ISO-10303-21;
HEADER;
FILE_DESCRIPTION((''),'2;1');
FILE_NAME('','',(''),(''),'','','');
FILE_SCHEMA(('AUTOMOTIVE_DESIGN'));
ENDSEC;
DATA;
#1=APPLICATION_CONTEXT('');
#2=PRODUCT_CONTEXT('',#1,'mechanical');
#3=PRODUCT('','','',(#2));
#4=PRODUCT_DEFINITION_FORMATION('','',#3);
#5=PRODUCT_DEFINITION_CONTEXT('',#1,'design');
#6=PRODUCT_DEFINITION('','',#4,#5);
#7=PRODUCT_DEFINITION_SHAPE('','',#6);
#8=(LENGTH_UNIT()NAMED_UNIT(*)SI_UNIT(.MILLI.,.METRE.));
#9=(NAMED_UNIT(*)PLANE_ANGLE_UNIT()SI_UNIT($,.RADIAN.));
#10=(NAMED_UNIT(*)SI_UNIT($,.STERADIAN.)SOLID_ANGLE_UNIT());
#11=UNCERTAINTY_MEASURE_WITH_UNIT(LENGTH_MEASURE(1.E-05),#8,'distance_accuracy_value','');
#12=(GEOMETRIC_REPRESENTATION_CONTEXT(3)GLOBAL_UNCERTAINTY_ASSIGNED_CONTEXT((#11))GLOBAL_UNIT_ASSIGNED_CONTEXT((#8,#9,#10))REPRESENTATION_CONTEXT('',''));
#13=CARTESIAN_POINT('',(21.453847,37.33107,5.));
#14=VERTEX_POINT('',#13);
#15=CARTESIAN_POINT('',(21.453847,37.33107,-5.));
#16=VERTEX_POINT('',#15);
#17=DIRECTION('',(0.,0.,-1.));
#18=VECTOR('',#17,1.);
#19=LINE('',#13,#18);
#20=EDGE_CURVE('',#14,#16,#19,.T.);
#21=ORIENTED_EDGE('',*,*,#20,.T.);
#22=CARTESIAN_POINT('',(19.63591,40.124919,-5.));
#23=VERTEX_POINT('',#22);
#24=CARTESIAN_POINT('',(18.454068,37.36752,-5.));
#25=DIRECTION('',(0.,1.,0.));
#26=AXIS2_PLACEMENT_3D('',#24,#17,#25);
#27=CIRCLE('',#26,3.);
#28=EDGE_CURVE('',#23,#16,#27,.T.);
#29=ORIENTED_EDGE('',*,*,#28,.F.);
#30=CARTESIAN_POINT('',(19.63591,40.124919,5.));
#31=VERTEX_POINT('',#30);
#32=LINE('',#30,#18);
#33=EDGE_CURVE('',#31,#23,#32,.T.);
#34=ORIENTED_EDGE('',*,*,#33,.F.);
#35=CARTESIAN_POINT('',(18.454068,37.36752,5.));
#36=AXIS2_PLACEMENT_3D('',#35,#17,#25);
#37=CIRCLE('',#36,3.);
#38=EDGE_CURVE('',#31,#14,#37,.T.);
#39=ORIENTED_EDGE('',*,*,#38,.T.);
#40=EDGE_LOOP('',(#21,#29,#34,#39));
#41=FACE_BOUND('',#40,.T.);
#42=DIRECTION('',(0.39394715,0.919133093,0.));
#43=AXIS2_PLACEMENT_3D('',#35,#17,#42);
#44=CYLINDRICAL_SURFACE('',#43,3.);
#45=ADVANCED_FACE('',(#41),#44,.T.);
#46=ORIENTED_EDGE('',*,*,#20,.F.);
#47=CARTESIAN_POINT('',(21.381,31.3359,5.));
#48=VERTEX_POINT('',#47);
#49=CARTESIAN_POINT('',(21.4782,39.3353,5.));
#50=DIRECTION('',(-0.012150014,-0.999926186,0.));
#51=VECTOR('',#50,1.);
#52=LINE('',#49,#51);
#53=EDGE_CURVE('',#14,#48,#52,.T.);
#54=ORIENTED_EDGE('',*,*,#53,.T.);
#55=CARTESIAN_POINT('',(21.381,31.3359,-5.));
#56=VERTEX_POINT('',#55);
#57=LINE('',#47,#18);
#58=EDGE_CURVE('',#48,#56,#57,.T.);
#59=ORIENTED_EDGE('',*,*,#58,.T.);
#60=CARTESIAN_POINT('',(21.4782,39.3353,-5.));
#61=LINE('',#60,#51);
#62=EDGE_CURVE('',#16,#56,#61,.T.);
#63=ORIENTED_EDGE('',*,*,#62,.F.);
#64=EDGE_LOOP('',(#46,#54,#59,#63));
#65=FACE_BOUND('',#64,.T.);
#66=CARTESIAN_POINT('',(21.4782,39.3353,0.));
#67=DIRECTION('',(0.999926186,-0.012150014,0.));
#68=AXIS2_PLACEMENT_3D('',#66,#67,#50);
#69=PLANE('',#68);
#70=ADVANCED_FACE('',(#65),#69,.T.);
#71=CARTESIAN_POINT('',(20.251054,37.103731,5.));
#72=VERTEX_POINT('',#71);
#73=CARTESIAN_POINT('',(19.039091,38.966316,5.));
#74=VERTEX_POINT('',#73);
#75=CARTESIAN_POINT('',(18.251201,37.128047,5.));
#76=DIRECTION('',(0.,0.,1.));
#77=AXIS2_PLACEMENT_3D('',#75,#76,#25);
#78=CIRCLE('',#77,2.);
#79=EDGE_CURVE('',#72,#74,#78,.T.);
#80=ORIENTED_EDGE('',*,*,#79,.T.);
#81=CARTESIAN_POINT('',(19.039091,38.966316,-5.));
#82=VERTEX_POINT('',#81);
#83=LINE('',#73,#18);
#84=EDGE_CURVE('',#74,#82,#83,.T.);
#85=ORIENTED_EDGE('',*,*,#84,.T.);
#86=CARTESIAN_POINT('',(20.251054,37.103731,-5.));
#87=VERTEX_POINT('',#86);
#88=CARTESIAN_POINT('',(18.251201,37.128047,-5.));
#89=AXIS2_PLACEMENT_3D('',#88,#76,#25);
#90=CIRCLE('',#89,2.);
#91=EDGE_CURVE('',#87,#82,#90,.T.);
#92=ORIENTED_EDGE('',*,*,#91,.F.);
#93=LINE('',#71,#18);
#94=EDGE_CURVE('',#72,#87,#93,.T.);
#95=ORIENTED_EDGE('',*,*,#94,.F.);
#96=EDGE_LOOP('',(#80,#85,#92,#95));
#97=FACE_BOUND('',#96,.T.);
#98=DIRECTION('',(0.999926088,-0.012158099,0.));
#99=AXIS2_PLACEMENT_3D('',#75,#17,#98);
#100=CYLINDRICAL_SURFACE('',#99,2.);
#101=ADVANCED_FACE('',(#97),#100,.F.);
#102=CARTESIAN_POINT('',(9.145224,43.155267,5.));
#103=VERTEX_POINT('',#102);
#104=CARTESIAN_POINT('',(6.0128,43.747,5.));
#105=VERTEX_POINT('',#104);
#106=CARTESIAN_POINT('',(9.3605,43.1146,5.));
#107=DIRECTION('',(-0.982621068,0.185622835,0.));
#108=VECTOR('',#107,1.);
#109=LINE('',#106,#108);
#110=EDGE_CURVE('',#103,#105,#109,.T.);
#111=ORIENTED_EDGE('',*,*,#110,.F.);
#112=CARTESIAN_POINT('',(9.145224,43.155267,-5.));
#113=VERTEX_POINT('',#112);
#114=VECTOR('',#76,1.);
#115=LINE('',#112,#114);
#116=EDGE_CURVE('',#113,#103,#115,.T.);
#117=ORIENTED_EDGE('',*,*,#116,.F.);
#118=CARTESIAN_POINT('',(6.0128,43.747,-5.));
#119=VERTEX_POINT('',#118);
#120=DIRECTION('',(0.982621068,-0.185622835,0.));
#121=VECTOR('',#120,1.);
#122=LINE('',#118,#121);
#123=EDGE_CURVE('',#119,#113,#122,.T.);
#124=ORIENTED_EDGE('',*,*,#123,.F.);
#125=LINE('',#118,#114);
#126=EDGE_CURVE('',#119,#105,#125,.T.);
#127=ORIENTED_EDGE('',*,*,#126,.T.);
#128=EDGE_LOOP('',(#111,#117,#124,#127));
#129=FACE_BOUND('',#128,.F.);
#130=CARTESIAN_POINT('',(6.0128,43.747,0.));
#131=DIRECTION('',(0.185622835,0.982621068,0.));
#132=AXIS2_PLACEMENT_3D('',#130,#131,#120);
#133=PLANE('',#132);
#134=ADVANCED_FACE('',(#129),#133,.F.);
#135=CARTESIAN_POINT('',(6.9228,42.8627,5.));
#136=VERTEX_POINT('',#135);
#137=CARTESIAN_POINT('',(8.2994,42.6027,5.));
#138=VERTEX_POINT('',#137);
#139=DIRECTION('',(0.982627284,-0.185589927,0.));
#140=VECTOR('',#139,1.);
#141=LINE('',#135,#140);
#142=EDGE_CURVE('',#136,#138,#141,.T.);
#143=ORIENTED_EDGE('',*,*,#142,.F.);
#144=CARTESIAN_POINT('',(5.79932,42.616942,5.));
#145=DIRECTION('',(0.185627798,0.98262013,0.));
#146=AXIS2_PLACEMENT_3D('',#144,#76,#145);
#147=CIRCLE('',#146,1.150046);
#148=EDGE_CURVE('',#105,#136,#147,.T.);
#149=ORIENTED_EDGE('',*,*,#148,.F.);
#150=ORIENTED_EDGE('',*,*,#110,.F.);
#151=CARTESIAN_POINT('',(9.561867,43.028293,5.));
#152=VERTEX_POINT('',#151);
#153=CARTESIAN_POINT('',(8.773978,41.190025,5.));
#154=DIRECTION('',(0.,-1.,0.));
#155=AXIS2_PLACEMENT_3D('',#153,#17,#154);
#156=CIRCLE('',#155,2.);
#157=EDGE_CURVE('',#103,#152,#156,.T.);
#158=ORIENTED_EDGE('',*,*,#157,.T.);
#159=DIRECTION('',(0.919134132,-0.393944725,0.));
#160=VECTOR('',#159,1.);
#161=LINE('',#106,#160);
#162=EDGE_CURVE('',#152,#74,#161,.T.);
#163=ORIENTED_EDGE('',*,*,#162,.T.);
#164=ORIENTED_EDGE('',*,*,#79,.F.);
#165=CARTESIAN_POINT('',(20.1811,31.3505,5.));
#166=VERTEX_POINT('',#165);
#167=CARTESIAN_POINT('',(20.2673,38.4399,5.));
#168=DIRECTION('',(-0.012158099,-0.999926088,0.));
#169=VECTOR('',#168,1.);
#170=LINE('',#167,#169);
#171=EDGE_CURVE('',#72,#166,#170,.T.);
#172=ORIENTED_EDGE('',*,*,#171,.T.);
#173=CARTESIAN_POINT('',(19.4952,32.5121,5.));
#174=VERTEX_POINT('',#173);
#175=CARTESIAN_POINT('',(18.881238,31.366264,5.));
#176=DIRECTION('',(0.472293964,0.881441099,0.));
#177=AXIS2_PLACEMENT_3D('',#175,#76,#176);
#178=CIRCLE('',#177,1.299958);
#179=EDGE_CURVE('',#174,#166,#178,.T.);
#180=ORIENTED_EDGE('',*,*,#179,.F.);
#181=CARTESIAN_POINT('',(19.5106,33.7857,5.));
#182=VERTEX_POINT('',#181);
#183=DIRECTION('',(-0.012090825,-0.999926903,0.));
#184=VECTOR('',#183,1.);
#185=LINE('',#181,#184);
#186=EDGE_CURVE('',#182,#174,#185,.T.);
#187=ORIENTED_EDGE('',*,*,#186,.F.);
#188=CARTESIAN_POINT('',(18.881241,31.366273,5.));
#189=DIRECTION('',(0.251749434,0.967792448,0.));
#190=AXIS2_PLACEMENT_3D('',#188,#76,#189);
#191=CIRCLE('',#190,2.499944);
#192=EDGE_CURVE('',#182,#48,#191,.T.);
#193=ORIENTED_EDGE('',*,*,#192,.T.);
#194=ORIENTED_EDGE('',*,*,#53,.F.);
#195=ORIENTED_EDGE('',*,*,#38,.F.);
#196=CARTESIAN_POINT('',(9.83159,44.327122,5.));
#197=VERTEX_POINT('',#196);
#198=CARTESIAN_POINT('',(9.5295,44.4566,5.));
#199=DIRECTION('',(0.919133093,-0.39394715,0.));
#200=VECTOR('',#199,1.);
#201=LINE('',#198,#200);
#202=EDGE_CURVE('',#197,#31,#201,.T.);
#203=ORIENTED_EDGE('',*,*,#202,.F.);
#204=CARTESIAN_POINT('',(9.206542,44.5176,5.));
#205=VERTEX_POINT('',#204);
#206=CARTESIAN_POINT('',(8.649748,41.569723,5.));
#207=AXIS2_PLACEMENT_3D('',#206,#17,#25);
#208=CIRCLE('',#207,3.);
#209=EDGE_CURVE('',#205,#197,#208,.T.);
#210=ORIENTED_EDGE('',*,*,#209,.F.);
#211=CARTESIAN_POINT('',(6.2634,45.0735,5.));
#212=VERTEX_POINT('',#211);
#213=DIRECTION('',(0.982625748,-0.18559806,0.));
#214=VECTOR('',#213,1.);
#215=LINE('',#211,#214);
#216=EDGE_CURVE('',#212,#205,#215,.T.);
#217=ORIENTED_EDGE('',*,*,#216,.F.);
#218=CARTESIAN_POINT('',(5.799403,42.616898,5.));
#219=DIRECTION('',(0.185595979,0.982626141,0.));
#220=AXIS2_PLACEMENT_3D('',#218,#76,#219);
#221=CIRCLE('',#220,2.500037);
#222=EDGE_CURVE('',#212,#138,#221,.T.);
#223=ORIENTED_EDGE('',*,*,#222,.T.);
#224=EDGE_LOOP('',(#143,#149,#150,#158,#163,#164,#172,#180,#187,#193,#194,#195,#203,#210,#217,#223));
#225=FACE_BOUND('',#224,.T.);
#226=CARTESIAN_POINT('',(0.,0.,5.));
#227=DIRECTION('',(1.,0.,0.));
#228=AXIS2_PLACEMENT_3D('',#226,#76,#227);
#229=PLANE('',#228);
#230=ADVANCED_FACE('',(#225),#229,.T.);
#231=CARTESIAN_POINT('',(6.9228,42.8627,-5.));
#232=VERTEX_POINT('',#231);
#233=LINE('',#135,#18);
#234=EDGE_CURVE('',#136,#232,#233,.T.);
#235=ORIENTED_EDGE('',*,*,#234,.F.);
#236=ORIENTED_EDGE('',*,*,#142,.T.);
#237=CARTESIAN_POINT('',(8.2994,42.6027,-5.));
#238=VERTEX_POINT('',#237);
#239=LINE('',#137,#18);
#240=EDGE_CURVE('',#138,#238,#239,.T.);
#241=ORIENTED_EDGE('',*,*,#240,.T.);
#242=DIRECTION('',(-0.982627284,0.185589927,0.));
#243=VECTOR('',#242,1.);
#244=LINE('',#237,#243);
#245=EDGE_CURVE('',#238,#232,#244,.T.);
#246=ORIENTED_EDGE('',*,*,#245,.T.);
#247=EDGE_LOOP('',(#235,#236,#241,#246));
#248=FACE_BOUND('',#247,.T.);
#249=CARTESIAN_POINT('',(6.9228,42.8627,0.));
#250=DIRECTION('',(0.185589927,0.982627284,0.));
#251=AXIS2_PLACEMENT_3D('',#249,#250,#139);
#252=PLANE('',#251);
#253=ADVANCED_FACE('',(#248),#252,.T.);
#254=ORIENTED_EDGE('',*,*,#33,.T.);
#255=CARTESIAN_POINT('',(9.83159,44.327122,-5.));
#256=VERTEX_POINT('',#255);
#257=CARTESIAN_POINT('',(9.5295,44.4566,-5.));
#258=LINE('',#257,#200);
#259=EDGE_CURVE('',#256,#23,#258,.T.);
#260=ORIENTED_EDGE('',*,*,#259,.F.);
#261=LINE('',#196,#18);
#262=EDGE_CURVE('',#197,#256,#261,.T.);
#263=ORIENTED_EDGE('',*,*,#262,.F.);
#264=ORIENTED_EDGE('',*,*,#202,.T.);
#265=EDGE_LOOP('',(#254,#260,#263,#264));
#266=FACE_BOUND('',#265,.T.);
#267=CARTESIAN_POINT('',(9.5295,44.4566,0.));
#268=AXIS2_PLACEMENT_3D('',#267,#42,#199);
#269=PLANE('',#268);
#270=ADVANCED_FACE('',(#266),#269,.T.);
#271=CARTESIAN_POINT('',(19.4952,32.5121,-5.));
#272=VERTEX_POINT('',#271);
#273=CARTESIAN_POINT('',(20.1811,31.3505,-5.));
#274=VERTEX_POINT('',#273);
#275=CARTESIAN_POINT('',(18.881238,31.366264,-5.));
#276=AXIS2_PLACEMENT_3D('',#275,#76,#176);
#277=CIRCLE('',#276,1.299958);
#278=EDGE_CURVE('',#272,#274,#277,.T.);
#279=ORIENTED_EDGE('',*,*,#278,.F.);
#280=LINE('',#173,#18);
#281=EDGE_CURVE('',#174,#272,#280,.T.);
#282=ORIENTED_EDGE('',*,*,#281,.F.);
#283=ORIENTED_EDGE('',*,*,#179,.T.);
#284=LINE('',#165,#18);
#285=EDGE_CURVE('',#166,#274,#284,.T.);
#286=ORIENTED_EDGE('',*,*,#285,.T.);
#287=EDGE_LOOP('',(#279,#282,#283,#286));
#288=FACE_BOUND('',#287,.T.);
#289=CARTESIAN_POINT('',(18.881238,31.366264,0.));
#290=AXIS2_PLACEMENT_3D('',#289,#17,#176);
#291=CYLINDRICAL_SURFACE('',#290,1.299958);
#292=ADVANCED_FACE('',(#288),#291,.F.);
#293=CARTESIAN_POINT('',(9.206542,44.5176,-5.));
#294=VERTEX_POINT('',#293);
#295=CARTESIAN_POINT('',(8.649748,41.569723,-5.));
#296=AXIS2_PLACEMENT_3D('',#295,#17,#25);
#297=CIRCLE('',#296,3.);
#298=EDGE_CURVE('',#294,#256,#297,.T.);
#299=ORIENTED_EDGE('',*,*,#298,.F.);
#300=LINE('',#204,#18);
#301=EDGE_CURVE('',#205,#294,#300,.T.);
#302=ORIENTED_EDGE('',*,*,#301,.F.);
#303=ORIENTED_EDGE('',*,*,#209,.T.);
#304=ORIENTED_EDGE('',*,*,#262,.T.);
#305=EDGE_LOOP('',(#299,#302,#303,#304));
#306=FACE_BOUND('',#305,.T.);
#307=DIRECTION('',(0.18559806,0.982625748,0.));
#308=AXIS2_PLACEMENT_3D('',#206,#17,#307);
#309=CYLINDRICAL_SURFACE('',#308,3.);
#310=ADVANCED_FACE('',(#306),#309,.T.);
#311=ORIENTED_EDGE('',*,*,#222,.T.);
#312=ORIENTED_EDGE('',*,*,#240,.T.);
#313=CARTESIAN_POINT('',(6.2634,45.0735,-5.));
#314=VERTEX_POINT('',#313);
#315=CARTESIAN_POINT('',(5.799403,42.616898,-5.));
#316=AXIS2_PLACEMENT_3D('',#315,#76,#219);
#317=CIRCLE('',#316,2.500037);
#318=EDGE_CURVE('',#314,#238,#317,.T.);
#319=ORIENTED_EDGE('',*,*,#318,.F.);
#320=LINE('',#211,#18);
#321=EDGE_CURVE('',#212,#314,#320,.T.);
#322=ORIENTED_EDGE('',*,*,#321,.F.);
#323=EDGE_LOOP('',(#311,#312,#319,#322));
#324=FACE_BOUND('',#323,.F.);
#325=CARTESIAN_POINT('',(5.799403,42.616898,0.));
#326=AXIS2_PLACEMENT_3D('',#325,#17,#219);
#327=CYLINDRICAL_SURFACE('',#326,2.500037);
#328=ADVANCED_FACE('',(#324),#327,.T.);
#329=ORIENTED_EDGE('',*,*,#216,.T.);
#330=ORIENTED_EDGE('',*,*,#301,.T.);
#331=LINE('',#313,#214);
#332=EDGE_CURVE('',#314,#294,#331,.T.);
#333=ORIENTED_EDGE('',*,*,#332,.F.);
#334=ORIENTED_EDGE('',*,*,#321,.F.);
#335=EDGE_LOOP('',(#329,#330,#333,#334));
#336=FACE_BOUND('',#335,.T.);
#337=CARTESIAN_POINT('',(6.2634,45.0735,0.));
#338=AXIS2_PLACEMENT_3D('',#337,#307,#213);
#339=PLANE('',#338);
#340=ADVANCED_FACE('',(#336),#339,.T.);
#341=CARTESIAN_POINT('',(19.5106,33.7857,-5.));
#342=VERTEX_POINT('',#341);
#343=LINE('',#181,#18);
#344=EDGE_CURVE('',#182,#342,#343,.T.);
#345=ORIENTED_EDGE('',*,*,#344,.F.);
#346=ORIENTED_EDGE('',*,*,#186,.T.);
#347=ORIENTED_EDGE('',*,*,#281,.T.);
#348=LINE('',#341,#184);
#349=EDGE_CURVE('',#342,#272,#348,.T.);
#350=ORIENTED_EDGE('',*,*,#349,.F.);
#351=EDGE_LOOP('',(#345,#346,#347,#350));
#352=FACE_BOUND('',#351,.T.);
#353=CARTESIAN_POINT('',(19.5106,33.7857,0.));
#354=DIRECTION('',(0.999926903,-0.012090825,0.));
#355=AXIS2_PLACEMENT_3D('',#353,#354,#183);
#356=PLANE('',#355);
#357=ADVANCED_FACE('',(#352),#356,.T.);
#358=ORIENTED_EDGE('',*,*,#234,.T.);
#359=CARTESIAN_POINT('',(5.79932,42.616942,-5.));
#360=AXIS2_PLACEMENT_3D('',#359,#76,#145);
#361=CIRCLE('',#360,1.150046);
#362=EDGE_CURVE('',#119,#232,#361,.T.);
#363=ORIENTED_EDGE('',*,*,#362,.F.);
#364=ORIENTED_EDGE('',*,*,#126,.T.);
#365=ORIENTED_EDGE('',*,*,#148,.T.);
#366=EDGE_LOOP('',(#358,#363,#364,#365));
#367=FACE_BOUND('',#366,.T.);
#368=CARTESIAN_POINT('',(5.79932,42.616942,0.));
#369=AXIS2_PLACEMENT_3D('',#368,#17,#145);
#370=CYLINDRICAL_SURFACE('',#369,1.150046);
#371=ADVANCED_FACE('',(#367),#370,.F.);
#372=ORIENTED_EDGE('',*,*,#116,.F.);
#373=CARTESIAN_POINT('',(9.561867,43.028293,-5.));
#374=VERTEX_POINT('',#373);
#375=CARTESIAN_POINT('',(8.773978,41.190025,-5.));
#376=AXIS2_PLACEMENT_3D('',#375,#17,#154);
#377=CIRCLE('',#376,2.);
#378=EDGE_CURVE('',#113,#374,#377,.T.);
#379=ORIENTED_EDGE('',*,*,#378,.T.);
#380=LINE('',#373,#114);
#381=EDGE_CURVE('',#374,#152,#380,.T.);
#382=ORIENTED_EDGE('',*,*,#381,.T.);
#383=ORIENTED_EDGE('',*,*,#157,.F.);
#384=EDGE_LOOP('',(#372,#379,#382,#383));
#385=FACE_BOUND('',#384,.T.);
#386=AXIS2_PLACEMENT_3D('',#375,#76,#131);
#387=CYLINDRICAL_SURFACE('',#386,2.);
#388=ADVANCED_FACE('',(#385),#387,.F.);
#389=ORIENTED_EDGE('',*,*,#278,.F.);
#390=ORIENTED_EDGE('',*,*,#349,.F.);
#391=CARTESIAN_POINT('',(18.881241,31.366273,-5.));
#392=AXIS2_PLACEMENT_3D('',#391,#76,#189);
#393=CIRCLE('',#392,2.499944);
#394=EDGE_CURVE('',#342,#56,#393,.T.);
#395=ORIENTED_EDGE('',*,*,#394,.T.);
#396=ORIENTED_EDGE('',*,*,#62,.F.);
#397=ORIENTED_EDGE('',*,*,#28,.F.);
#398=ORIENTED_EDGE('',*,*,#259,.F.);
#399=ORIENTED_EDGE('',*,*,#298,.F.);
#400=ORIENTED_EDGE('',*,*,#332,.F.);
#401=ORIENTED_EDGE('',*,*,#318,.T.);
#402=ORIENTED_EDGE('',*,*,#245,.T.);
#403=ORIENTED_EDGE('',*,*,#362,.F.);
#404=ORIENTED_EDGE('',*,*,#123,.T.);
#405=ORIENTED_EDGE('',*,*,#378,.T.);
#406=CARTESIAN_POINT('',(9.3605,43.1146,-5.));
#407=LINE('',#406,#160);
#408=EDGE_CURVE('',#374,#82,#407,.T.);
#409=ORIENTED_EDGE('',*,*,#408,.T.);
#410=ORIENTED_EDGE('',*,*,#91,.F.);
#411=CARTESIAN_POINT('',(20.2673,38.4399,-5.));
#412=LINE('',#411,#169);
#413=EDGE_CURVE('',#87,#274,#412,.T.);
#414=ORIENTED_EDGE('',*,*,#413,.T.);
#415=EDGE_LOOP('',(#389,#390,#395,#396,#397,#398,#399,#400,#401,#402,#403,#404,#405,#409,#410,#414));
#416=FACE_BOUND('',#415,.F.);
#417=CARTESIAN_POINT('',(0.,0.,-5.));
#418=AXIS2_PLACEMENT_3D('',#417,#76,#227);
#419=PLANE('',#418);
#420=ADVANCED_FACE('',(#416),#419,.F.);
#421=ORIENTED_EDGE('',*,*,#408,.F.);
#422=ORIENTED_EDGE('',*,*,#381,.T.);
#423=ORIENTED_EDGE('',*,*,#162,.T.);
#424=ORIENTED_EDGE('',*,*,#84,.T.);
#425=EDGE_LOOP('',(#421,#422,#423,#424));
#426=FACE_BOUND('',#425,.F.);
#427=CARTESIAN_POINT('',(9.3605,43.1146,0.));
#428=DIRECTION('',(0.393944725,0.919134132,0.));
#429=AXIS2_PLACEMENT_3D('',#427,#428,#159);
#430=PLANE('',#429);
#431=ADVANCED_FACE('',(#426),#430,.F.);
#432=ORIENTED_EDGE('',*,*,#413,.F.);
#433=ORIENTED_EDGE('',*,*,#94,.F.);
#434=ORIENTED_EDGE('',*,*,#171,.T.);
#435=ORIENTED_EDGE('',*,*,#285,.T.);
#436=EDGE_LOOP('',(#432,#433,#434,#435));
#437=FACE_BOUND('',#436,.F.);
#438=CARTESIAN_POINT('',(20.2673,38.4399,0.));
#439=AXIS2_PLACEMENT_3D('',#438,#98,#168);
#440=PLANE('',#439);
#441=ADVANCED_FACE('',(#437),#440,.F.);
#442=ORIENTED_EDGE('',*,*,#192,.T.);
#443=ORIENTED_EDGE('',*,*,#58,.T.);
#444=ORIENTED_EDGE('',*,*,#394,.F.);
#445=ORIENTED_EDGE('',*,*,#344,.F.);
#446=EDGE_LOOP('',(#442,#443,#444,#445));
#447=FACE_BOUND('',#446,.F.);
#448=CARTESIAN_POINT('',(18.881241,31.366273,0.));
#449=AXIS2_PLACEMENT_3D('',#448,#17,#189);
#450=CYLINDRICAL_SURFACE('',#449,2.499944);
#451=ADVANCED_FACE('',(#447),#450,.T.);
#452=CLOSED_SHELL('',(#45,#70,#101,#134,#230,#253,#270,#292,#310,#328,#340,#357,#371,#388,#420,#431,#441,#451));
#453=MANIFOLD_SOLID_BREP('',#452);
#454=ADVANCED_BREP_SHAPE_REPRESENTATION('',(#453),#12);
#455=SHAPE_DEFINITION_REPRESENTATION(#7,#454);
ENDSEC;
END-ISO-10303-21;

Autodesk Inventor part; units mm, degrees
ref_plane "YZ Plane" through (0, 0, 0) normal (1, 0, 0) x (0, 1, 0)
ref_plane "XZ Plane" through (0, 0, 0) normal (0, 1, 0) x (-1, 0, 0)
ref_plane "XY Plane" through (0, 0, 0) normal (0, 0, 1) x (1, 0, 0)
sketch "Sketch1" plane through (0, 0, 0) normal (0, 0, 1) x (1, 0, 0)
  arc A0 (6.0128, 43.747) -> (6.9228, 42.8627) centre (5.7994, 42.6169) ccw
  arc A1 (6.2634, 45.0735) -> (8.2994, 42.6027) centre (5.7994, 42.6169) ccw
  arc A2 (19.5106, 33.7857) -> (21.381, 31.3359) centre (18.8812, 31.3663) ccw
  line L0 (6.2634, 45.0735) -> (9.5295, 44.4566)
  line L1 (9.5295, 44.4566) -> (21.4782, 39.3353)
  line L2 (21.4782, 39.3353) -> (21.381, 31.3359)
  line L3 (6.0128, 43.747) -> (9.3605, 43.1146)
  line L4 (9.3605, 43.1146) -> (20.2673, 38.4399)
  line L5 (20.2673, 38.4399) -> (20.1811, 31.3505)
  line L6 (6.9228, 42.8627) -> (8.2994, 42.6027)
  line L7 (19.5106, 33.7857) -> (19.4952, 32.5121)
  arc A3 (19.4952, 32.5121) -> (20.1811, 31.3505) centre (18.8812, 31.3663) ccw
  line L8 (5.7994, 42.6169) -> (18.8812, 31.3663) construction
  arc A4 (6.9392, 42.2416) -> (4.6204, 42.3936) centre (5.7994, 42.6169) ccw
  point P0 (0, 0)
  dimension "d0" = 5
  dimension "d1" = 5
  dimension "d2" = 1.3
  dimension "d5" = 1.35
  dimension "d8" = 8
  dimension "d9" = 0.7
  dimension "d10" = 0.7
  dimension "d12" = 1.2
  dimension "d18" = 2.3
  dimension "d19" = 30
  dimension "d20" = 13
  dimension "d21" = 50
extrude "Extrusion1" add sketch "Sketch1" along normal mid plane 10 contours A0 L6 A1 L0 L1 L2 A2 L7 A3 L5 L4 L3
fillet "Fillet1" radius 2 2 edges at (20.2673, 38.4399, 0) (9.3605, 43.1146, 0)
fillet "Fillet1" radius 3 2 edges at (9.5295, 44.4566, 0) (21.4782, 39.3353, 0)
properties part number "Linkage for half overlay hinge" material "Steel"
